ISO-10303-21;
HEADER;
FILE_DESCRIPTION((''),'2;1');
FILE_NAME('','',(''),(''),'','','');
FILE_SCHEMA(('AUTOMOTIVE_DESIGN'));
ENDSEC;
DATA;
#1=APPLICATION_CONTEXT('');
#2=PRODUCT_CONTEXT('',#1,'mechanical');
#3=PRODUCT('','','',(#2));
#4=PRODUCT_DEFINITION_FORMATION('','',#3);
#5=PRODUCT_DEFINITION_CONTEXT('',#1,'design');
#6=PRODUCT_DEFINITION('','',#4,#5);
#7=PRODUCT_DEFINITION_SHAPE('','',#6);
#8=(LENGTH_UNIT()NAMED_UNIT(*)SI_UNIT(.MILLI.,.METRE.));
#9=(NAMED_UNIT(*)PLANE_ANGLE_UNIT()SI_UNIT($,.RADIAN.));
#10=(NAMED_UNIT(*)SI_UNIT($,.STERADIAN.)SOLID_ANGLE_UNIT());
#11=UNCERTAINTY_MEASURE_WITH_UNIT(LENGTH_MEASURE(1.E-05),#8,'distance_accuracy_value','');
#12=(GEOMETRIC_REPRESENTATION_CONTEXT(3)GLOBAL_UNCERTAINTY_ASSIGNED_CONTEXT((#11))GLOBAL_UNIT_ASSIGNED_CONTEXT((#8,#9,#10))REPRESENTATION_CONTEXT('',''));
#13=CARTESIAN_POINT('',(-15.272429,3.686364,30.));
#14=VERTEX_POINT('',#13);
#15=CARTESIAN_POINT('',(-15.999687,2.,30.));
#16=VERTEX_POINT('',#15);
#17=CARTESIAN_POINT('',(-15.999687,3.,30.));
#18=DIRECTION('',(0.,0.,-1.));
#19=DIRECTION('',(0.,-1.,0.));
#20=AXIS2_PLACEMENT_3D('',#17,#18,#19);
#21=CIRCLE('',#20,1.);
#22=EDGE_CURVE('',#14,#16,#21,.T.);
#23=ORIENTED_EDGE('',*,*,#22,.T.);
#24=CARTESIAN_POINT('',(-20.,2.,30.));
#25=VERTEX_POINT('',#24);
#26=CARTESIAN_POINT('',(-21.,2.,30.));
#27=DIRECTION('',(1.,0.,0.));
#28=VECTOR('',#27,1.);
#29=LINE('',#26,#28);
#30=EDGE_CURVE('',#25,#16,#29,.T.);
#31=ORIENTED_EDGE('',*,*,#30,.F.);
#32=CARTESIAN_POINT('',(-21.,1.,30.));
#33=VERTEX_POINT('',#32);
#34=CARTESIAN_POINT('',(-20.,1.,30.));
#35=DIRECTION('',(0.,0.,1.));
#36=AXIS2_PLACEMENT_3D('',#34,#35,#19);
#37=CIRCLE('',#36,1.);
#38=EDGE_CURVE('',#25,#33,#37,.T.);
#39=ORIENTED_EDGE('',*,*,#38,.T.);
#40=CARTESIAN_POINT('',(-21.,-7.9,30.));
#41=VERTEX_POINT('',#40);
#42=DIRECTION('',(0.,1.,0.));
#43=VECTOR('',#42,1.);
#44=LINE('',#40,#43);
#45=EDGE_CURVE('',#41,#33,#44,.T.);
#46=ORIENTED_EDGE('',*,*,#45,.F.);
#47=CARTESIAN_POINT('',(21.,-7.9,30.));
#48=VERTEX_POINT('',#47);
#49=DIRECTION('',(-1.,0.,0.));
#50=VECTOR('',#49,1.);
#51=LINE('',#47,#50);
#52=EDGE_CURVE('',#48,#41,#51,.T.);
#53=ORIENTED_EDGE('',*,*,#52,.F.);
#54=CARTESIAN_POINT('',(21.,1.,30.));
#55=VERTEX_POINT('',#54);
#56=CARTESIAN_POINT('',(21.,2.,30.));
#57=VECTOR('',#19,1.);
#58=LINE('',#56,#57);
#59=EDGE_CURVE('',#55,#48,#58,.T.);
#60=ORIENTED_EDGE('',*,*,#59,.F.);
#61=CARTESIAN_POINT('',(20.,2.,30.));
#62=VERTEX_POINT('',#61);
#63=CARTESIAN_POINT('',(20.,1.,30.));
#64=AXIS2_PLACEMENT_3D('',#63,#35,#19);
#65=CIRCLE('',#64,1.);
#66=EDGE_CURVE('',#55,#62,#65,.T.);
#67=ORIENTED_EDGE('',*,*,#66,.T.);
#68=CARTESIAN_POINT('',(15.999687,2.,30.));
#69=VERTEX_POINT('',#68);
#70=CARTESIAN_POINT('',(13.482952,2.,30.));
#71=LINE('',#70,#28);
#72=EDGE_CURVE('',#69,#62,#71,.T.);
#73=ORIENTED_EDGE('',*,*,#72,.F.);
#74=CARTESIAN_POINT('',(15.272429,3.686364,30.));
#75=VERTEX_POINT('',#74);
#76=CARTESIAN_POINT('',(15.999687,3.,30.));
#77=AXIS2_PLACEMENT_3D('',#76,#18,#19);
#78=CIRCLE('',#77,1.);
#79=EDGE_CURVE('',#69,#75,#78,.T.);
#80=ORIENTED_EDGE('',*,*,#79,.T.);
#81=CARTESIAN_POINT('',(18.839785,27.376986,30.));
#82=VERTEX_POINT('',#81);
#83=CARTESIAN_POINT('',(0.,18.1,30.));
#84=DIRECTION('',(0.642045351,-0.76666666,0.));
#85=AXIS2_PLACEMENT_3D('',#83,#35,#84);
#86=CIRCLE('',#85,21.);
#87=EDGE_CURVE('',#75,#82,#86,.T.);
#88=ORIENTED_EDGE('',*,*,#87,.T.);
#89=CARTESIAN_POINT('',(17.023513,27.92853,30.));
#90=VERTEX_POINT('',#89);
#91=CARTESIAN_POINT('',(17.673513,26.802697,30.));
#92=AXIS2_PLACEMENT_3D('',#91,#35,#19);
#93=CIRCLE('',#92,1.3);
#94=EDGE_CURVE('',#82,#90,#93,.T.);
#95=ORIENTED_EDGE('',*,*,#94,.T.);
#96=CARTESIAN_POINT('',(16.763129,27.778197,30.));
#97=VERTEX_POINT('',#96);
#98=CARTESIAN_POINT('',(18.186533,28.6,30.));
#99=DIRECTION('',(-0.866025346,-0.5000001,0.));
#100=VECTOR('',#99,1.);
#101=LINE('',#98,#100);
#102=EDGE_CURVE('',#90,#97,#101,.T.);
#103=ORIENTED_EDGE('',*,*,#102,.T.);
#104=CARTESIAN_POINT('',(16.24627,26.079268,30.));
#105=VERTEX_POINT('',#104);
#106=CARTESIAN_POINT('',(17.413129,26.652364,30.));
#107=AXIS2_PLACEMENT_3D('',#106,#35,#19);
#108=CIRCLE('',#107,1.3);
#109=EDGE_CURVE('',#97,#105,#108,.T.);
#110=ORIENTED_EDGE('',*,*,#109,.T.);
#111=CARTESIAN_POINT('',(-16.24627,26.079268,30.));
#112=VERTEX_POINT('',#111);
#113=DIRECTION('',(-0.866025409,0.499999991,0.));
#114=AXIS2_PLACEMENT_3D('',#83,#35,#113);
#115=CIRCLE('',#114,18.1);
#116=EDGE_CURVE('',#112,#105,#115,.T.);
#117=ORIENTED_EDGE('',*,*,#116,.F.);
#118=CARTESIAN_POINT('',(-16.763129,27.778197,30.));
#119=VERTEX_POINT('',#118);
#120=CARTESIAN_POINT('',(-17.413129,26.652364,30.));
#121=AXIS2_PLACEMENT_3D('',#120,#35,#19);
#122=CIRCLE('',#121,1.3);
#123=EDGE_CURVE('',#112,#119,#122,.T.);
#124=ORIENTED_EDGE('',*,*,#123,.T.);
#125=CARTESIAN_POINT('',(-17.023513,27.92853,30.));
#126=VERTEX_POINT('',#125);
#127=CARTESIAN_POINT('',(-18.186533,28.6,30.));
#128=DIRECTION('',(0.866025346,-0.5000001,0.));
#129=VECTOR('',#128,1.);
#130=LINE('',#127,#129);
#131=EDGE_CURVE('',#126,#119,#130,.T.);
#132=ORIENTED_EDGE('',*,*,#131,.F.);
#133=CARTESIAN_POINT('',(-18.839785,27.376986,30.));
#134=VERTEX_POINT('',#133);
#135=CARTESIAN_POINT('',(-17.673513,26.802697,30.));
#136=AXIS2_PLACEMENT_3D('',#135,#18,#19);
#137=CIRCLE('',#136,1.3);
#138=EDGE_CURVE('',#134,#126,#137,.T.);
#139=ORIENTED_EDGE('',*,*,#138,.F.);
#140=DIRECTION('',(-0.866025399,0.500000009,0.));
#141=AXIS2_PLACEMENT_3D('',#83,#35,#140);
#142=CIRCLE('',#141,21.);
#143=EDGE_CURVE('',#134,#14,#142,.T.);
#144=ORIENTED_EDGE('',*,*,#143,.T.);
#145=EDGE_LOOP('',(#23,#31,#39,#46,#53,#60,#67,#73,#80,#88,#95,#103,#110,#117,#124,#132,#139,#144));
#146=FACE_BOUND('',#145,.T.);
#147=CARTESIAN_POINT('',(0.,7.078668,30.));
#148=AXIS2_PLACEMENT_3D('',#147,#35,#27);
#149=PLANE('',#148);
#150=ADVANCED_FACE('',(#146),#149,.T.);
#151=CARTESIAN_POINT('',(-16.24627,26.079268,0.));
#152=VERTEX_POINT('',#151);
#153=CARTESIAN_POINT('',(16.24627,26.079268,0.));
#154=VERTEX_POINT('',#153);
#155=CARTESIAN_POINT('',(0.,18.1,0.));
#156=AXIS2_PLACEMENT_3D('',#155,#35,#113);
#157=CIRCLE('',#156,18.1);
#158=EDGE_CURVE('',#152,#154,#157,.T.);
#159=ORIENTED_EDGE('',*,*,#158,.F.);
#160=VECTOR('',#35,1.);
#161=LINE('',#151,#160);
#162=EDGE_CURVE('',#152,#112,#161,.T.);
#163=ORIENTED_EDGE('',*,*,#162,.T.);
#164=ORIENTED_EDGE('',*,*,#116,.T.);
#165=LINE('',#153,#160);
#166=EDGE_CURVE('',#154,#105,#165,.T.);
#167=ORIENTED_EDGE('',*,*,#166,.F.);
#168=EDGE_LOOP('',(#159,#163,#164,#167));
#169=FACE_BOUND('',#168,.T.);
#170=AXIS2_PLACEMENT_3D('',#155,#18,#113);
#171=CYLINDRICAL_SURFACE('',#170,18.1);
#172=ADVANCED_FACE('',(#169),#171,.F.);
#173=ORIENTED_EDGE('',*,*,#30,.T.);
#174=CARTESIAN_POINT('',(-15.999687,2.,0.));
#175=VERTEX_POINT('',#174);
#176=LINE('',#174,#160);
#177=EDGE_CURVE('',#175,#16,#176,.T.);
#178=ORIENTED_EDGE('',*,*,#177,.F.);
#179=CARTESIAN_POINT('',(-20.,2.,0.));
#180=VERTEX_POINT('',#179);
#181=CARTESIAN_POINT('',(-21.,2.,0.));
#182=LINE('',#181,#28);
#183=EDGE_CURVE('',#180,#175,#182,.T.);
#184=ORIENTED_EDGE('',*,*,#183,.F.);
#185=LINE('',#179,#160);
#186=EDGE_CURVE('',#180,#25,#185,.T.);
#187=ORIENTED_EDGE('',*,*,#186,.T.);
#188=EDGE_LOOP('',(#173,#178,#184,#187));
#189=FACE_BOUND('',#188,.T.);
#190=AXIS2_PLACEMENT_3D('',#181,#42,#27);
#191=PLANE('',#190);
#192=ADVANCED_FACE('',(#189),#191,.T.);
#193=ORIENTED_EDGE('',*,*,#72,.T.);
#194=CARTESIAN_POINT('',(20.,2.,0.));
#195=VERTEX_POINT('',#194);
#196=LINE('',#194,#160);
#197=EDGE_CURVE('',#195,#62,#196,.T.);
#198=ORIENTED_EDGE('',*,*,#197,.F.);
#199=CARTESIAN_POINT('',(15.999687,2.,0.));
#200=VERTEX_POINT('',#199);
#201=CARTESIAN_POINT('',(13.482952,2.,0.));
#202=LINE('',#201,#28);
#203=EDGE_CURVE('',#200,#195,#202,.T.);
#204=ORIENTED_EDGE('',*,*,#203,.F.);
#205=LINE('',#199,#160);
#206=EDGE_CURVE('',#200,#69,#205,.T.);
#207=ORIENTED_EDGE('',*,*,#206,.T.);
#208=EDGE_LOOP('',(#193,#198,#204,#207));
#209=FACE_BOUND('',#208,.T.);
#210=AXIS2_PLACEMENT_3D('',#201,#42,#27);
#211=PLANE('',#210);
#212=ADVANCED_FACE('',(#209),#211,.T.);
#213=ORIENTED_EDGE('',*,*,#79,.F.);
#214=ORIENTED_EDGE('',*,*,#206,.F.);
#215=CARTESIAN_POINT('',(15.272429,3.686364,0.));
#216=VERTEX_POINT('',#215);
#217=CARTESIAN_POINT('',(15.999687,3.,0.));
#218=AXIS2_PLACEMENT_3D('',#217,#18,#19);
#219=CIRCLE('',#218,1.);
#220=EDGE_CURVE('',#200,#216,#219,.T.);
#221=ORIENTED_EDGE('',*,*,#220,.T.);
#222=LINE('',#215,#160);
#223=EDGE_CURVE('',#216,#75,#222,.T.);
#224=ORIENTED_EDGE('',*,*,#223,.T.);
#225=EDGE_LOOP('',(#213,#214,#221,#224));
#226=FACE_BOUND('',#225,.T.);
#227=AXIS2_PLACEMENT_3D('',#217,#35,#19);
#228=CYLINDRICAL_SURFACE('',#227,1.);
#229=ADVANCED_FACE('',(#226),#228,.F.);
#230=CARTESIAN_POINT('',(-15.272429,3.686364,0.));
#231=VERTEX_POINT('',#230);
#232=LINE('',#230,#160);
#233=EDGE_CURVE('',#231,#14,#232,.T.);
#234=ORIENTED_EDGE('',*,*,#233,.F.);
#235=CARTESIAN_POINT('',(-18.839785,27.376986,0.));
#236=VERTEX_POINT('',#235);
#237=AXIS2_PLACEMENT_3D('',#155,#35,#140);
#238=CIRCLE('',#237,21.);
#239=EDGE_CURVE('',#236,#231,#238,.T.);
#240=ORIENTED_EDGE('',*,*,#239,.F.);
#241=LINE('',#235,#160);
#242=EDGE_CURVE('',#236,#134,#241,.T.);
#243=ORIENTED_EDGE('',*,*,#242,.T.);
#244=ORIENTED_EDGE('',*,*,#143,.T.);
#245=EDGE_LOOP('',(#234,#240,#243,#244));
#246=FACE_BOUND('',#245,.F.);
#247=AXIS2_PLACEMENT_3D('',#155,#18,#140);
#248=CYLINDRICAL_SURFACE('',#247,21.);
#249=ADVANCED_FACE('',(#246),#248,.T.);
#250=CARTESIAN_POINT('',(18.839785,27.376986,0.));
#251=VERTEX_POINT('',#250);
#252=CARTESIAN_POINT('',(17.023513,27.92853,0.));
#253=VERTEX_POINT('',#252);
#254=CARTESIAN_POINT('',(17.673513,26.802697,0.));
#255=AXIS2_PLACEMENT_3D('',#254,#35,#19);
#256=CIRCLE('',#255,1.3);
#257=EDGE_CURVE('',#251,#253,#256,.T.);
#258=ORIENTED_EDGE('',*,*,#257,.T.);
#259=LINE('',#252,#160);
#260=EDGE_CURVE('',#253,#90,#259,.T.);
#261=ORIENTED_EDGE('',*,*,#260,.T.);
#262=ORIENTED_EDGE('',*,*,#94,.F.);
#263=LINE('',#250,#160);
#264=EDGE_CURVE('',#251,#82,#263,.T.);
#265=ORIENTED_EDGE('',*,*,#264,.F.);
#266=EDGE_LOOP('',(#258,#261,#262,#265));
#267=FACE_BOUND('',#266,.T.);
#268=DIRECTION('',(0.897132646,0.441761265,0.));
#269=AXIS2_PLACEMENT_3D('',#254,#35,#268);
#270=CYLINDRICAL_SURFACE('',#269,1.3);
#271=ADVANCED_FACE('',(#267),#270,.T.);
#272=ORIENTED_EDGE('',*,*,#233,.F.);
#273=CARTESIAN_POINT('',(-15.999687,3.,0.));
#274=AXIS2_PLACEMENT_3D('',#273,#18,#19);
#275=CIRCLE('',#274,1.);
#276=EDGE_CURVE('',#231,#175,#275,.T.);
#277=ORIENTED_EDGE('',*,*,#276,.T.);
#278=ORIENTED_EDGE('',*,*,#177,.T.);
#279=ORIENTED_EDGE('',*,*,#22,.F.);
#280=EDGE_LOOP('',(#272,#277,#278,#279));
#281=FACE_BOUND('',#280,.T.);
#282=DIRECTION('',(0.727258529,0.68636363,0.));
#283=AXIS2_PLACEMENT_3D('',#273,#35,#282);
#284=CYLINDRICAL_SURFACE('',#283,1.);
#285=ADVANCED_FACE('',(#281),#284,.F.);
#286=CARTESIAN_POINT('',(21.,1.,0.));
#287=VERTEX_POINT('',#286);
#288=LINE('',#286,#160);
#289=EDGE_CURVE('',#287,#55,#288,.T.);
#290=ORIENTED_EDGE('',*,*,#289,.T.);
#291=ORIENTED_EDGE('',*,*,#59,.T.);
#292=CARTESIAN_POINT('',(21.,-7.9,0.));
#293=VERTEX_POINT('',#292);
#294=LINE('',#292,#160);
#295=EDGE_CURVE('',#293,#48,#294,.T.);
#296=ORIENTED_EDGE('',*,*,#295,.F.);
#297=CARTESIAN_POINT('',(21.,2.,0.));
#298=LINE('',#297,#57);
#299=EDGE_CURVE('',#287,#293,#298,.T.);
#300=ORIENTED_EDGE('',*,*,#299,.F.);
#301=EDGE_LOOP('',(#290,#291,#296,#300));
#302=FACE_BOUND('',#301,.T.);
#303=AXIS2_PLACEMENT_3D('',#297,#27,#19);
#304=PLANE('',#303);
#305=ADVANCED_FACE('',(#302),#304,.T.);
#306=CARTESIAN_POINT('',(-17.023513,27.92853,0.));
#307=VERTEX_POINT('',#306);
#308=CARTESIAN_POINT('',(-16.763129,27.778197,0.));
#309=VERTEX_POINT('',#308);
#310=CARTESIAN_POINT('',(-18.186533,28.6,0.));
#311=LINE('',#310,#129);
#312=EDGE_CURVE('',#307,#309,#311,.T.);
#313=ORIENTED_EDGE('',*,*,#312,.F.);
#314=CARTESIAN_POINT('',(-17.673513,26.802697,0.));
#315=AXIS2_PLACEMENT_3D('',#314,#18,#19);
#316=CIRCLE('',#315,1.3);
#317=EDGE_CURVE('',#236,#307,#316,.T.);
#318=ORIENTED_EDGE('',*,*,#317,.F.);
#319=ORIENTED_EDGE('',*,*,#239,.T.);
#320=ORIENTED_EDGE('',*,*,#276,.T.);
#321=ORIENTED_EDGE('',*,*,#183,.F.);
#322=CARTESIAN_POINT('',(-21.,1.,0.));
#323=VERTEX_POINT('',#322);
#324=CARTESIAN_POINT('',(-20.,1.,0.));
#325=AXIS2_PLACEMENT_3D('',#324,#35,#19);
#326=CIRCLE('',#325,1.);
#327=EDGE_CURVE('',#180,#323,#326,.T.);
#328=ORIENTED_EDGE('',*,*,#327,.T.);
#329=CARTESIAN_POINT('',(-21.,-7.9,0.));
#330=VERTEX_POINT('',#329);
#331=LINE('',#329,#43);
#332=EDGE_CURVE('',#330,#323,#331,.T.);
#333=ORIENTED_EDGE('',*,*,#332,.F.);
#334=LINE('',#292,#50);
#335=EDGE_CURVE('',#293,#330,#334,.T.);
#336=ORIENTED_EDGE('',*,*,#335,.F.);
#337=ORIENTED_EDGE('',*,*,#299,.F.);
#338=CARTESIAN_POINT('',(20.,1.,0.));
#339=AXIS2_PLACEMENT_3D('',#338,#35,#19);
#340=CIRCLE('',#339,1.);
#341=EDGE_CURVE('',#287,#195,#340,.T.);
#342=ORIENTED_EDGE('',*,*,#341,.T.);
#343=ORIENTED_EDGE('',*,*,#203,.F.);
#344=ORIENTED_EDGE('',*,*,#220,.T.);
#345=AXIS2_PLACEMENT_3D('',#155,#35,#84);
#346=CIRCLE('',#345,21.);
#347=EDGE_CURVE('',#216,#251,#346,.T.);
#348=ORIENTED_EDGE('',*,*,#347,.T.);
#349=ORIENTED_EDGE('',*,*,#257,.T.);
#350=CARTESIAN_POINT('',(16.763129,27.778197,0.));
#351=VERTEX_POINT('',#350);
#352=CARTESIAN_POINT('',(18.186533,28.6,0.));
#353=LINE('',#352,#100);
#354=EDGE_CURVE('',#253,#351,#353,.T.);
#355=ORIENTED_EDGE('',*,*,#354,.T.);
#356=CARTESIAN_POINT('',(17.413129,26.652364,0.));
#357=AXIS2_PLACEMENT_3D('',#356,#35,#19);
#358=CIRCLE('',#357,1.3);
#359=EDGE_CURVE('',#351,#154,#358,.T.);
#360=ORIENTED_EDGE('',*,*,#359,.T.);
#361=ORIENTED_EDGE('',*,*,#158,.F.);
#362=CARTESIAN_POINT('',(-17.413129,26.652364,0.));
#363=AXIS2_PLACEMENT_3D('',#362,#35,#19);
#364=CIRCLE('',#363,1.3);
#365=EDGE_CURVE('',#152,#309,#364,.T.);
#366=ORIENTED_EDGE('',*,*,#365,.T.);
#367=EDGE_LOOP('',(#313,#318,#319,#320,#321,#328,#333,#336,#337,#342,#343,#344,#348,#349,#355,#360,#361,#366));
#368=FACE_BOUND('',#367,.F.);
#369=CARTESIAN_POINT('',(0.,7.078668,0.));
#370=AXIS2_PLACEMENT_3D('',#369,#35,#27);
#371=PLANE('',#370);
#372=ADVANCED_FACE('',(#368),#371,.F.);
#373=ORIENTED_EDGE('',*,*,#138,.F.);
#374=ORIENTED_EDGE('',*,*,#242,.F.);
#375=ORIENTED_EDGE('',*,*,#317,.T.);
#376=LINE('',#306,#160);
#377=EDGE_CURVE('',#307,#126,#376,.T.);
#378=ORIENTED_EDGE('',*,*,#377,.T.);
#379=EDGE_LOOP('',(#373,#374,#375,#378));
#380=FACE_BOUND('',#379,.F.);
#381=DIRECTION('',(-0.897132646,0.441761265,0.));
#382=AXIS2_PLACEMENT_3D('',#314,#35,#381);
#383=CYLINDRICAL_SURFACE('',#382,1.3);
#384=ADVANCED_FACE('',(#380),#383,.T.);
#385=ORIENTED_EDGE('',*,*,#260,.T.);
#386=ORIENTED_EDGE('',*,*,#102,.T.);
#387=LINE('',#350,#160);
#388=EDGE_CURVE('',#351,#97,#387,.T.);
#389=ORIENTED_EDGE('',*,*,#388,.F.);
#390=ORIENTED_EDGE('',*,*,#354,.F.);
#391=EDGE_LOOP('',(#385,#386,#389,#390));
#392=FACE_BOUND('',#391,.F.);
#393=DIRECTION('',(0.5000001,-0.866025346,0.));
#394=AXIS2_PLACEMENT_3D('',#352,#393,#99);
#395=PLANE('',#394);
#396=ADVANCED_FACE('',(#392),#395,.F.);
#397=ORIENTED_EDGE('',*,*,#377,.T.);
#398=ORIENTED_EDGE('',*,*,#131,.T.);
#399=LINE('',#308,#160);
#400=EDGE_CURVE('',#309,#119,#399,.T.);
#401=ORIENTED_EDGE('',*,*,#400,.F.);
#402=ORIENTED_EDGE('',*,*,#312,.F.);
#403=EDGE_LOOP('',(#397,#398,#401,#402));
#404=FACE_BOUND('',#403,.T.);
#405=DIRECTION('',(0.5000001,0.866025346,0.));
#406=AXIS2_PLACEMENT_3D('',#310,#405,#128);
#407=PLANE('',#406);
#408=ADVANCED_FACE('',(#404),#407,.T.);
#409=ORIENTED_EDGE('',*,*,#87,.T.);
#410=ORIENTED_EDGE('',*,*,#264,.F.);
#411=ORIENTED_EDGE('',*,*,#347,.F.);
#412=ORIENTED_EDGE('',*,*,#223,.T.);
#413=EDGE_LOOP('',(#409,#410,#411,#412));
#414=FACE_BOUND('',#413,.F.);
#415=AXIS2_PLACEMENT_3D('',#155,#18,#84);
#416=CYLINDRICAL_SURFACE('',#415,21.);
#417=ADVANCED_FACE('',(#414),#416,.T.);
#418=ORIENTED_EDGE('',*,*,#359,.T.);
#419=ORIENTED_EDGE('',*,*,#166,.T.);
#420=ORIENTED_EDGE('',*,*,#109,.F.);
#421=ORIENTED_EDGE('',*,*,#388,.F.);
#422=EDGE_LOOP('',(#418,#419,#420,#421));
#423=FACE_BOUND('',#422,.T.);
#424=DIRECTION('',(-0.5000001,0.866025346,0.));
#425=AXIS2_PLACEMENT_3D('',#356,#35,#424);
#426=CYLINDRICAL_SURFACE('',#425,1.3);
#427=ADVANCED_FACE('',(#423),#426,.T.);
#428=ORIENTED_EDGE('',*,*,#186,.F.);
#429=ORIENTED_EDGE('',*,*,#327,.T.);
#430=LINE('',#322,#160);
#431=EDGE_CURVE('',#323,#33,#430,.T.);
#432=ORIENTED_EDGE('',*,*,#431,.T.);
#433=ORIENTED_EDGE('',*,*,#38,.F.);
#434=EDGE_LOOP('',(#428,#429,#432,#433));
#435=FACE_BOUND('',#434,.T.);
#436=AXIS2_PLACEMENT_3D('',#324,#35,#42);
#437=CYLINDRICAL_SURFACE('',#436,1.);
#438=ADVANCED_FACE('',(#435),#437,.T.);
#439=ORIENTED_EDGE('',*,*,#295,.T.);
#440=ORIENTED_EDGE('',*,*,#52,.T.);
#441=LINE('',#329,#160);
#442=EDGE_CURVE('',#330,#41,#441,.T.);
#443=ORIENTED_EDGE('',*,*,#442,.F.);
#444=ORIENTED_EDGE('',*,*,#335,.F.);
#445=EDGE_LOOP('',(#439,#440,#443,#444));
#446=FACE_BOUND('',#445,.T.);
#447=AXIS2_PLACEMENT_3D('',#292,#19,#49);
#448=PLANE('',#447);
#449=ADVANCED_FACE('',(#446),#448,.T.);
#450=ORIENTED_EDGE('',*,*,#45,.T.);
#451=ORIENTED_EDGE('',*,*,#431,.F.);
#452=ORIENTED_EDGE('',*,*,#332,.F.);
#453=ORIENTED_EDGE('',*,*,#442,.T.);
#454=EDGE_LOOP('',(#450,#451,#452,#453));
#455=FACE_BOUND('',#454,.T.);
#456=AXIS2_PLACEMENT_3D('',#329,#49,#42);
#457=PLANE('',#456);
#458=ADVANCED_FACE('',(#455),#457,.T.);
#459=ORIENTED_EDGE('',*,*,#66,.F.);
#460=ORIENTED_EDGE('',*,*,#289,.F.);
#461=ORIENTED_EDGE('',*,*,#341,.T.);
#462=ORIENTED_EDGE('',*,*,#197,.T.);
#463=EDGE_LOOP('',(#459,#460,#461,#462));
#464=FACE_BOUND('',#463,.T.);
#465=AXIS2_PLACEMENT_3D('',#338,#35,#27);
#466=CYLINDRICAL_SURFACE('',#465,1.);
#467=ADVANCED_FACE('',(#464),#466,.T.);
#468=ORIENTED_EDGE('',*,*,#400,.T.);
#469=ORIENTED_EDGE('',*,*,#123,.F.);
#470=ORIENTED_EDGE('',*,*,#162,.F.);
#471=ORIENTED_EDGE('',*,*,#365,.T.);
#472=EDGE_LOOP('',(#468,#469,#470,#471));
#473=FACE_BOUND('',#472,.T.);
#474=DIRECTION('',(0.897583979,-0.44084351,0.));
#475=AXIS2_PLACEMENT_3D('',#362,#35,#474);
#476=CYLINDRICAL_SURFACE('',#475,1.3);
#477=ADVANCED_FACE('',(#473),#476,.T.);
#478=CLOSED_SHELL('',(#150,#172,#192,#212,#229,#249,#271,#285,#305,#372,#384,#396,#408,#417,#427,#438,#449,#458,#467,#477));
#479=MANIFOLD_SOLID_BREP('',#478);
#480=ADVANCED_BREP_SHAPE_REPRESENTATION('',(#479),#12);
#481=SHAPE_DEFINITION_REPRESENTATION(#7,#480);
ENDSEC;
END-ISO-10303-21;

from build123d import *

# Parameters (mm, degrees)
PAD001_DEPTH = 30
FILLET_R     = 1.3
FILLET001_R  = 1


with BuildPart() as part:
    # Sketch001 → Pad001 (new body)
    with BuildSketch(Plane.XY):
        with BuildLine():
            ThreePointArc((-18.186533, 28.6), (-20.679194, 14.443373), (-13.482952, 2))
            Line((-21, 2), (-13.482952, 2))
            Line((-21, -7.9), (-21, 2))
            Line((21, -7.9), (-21, -7.9))
            Line((21, 2), (21, -7.9))
            Line((13.482952, 2), (21, 2))
            ThreePointArc((13.482952, 2), (20.679194, 14.443373), (18.186533, 28.6))
            Line((18.186533, 28.6), (15.67506, 27.15))
            ThreePointArc((-15.67506, 27.15), (0, 0), (15.67506, 27.15))
            Line((-18.186533, 28.6), (-15.67506, 27.15))
        make_face()
    extrude(amount=PAD001_DEPTH)

    # Fillet
    fillet_edges = [part.edges().sort_by_distance(p)[0] for p in [
        (-15.67506, 27.15, 15),
        (-18.186533, 28.6, 15),
        (15.67506, 27.15, 15),
        (18.186533, 28.6, 15),
    ]]
    fillet(fillet_edges, radius=FILLET_R)

    # Fillet001
    fillet001_edges = [part.edges().sort_by_distance(p)[0] for p in [
        (-13.482952, 2, 15),
        (13.482952, 2, 15),
        (21, 2, 15),
        (-21, 2, 15),
    ]]
    fillet(fillet001_edges, radius=FILLET001_R)


solid = part.part
